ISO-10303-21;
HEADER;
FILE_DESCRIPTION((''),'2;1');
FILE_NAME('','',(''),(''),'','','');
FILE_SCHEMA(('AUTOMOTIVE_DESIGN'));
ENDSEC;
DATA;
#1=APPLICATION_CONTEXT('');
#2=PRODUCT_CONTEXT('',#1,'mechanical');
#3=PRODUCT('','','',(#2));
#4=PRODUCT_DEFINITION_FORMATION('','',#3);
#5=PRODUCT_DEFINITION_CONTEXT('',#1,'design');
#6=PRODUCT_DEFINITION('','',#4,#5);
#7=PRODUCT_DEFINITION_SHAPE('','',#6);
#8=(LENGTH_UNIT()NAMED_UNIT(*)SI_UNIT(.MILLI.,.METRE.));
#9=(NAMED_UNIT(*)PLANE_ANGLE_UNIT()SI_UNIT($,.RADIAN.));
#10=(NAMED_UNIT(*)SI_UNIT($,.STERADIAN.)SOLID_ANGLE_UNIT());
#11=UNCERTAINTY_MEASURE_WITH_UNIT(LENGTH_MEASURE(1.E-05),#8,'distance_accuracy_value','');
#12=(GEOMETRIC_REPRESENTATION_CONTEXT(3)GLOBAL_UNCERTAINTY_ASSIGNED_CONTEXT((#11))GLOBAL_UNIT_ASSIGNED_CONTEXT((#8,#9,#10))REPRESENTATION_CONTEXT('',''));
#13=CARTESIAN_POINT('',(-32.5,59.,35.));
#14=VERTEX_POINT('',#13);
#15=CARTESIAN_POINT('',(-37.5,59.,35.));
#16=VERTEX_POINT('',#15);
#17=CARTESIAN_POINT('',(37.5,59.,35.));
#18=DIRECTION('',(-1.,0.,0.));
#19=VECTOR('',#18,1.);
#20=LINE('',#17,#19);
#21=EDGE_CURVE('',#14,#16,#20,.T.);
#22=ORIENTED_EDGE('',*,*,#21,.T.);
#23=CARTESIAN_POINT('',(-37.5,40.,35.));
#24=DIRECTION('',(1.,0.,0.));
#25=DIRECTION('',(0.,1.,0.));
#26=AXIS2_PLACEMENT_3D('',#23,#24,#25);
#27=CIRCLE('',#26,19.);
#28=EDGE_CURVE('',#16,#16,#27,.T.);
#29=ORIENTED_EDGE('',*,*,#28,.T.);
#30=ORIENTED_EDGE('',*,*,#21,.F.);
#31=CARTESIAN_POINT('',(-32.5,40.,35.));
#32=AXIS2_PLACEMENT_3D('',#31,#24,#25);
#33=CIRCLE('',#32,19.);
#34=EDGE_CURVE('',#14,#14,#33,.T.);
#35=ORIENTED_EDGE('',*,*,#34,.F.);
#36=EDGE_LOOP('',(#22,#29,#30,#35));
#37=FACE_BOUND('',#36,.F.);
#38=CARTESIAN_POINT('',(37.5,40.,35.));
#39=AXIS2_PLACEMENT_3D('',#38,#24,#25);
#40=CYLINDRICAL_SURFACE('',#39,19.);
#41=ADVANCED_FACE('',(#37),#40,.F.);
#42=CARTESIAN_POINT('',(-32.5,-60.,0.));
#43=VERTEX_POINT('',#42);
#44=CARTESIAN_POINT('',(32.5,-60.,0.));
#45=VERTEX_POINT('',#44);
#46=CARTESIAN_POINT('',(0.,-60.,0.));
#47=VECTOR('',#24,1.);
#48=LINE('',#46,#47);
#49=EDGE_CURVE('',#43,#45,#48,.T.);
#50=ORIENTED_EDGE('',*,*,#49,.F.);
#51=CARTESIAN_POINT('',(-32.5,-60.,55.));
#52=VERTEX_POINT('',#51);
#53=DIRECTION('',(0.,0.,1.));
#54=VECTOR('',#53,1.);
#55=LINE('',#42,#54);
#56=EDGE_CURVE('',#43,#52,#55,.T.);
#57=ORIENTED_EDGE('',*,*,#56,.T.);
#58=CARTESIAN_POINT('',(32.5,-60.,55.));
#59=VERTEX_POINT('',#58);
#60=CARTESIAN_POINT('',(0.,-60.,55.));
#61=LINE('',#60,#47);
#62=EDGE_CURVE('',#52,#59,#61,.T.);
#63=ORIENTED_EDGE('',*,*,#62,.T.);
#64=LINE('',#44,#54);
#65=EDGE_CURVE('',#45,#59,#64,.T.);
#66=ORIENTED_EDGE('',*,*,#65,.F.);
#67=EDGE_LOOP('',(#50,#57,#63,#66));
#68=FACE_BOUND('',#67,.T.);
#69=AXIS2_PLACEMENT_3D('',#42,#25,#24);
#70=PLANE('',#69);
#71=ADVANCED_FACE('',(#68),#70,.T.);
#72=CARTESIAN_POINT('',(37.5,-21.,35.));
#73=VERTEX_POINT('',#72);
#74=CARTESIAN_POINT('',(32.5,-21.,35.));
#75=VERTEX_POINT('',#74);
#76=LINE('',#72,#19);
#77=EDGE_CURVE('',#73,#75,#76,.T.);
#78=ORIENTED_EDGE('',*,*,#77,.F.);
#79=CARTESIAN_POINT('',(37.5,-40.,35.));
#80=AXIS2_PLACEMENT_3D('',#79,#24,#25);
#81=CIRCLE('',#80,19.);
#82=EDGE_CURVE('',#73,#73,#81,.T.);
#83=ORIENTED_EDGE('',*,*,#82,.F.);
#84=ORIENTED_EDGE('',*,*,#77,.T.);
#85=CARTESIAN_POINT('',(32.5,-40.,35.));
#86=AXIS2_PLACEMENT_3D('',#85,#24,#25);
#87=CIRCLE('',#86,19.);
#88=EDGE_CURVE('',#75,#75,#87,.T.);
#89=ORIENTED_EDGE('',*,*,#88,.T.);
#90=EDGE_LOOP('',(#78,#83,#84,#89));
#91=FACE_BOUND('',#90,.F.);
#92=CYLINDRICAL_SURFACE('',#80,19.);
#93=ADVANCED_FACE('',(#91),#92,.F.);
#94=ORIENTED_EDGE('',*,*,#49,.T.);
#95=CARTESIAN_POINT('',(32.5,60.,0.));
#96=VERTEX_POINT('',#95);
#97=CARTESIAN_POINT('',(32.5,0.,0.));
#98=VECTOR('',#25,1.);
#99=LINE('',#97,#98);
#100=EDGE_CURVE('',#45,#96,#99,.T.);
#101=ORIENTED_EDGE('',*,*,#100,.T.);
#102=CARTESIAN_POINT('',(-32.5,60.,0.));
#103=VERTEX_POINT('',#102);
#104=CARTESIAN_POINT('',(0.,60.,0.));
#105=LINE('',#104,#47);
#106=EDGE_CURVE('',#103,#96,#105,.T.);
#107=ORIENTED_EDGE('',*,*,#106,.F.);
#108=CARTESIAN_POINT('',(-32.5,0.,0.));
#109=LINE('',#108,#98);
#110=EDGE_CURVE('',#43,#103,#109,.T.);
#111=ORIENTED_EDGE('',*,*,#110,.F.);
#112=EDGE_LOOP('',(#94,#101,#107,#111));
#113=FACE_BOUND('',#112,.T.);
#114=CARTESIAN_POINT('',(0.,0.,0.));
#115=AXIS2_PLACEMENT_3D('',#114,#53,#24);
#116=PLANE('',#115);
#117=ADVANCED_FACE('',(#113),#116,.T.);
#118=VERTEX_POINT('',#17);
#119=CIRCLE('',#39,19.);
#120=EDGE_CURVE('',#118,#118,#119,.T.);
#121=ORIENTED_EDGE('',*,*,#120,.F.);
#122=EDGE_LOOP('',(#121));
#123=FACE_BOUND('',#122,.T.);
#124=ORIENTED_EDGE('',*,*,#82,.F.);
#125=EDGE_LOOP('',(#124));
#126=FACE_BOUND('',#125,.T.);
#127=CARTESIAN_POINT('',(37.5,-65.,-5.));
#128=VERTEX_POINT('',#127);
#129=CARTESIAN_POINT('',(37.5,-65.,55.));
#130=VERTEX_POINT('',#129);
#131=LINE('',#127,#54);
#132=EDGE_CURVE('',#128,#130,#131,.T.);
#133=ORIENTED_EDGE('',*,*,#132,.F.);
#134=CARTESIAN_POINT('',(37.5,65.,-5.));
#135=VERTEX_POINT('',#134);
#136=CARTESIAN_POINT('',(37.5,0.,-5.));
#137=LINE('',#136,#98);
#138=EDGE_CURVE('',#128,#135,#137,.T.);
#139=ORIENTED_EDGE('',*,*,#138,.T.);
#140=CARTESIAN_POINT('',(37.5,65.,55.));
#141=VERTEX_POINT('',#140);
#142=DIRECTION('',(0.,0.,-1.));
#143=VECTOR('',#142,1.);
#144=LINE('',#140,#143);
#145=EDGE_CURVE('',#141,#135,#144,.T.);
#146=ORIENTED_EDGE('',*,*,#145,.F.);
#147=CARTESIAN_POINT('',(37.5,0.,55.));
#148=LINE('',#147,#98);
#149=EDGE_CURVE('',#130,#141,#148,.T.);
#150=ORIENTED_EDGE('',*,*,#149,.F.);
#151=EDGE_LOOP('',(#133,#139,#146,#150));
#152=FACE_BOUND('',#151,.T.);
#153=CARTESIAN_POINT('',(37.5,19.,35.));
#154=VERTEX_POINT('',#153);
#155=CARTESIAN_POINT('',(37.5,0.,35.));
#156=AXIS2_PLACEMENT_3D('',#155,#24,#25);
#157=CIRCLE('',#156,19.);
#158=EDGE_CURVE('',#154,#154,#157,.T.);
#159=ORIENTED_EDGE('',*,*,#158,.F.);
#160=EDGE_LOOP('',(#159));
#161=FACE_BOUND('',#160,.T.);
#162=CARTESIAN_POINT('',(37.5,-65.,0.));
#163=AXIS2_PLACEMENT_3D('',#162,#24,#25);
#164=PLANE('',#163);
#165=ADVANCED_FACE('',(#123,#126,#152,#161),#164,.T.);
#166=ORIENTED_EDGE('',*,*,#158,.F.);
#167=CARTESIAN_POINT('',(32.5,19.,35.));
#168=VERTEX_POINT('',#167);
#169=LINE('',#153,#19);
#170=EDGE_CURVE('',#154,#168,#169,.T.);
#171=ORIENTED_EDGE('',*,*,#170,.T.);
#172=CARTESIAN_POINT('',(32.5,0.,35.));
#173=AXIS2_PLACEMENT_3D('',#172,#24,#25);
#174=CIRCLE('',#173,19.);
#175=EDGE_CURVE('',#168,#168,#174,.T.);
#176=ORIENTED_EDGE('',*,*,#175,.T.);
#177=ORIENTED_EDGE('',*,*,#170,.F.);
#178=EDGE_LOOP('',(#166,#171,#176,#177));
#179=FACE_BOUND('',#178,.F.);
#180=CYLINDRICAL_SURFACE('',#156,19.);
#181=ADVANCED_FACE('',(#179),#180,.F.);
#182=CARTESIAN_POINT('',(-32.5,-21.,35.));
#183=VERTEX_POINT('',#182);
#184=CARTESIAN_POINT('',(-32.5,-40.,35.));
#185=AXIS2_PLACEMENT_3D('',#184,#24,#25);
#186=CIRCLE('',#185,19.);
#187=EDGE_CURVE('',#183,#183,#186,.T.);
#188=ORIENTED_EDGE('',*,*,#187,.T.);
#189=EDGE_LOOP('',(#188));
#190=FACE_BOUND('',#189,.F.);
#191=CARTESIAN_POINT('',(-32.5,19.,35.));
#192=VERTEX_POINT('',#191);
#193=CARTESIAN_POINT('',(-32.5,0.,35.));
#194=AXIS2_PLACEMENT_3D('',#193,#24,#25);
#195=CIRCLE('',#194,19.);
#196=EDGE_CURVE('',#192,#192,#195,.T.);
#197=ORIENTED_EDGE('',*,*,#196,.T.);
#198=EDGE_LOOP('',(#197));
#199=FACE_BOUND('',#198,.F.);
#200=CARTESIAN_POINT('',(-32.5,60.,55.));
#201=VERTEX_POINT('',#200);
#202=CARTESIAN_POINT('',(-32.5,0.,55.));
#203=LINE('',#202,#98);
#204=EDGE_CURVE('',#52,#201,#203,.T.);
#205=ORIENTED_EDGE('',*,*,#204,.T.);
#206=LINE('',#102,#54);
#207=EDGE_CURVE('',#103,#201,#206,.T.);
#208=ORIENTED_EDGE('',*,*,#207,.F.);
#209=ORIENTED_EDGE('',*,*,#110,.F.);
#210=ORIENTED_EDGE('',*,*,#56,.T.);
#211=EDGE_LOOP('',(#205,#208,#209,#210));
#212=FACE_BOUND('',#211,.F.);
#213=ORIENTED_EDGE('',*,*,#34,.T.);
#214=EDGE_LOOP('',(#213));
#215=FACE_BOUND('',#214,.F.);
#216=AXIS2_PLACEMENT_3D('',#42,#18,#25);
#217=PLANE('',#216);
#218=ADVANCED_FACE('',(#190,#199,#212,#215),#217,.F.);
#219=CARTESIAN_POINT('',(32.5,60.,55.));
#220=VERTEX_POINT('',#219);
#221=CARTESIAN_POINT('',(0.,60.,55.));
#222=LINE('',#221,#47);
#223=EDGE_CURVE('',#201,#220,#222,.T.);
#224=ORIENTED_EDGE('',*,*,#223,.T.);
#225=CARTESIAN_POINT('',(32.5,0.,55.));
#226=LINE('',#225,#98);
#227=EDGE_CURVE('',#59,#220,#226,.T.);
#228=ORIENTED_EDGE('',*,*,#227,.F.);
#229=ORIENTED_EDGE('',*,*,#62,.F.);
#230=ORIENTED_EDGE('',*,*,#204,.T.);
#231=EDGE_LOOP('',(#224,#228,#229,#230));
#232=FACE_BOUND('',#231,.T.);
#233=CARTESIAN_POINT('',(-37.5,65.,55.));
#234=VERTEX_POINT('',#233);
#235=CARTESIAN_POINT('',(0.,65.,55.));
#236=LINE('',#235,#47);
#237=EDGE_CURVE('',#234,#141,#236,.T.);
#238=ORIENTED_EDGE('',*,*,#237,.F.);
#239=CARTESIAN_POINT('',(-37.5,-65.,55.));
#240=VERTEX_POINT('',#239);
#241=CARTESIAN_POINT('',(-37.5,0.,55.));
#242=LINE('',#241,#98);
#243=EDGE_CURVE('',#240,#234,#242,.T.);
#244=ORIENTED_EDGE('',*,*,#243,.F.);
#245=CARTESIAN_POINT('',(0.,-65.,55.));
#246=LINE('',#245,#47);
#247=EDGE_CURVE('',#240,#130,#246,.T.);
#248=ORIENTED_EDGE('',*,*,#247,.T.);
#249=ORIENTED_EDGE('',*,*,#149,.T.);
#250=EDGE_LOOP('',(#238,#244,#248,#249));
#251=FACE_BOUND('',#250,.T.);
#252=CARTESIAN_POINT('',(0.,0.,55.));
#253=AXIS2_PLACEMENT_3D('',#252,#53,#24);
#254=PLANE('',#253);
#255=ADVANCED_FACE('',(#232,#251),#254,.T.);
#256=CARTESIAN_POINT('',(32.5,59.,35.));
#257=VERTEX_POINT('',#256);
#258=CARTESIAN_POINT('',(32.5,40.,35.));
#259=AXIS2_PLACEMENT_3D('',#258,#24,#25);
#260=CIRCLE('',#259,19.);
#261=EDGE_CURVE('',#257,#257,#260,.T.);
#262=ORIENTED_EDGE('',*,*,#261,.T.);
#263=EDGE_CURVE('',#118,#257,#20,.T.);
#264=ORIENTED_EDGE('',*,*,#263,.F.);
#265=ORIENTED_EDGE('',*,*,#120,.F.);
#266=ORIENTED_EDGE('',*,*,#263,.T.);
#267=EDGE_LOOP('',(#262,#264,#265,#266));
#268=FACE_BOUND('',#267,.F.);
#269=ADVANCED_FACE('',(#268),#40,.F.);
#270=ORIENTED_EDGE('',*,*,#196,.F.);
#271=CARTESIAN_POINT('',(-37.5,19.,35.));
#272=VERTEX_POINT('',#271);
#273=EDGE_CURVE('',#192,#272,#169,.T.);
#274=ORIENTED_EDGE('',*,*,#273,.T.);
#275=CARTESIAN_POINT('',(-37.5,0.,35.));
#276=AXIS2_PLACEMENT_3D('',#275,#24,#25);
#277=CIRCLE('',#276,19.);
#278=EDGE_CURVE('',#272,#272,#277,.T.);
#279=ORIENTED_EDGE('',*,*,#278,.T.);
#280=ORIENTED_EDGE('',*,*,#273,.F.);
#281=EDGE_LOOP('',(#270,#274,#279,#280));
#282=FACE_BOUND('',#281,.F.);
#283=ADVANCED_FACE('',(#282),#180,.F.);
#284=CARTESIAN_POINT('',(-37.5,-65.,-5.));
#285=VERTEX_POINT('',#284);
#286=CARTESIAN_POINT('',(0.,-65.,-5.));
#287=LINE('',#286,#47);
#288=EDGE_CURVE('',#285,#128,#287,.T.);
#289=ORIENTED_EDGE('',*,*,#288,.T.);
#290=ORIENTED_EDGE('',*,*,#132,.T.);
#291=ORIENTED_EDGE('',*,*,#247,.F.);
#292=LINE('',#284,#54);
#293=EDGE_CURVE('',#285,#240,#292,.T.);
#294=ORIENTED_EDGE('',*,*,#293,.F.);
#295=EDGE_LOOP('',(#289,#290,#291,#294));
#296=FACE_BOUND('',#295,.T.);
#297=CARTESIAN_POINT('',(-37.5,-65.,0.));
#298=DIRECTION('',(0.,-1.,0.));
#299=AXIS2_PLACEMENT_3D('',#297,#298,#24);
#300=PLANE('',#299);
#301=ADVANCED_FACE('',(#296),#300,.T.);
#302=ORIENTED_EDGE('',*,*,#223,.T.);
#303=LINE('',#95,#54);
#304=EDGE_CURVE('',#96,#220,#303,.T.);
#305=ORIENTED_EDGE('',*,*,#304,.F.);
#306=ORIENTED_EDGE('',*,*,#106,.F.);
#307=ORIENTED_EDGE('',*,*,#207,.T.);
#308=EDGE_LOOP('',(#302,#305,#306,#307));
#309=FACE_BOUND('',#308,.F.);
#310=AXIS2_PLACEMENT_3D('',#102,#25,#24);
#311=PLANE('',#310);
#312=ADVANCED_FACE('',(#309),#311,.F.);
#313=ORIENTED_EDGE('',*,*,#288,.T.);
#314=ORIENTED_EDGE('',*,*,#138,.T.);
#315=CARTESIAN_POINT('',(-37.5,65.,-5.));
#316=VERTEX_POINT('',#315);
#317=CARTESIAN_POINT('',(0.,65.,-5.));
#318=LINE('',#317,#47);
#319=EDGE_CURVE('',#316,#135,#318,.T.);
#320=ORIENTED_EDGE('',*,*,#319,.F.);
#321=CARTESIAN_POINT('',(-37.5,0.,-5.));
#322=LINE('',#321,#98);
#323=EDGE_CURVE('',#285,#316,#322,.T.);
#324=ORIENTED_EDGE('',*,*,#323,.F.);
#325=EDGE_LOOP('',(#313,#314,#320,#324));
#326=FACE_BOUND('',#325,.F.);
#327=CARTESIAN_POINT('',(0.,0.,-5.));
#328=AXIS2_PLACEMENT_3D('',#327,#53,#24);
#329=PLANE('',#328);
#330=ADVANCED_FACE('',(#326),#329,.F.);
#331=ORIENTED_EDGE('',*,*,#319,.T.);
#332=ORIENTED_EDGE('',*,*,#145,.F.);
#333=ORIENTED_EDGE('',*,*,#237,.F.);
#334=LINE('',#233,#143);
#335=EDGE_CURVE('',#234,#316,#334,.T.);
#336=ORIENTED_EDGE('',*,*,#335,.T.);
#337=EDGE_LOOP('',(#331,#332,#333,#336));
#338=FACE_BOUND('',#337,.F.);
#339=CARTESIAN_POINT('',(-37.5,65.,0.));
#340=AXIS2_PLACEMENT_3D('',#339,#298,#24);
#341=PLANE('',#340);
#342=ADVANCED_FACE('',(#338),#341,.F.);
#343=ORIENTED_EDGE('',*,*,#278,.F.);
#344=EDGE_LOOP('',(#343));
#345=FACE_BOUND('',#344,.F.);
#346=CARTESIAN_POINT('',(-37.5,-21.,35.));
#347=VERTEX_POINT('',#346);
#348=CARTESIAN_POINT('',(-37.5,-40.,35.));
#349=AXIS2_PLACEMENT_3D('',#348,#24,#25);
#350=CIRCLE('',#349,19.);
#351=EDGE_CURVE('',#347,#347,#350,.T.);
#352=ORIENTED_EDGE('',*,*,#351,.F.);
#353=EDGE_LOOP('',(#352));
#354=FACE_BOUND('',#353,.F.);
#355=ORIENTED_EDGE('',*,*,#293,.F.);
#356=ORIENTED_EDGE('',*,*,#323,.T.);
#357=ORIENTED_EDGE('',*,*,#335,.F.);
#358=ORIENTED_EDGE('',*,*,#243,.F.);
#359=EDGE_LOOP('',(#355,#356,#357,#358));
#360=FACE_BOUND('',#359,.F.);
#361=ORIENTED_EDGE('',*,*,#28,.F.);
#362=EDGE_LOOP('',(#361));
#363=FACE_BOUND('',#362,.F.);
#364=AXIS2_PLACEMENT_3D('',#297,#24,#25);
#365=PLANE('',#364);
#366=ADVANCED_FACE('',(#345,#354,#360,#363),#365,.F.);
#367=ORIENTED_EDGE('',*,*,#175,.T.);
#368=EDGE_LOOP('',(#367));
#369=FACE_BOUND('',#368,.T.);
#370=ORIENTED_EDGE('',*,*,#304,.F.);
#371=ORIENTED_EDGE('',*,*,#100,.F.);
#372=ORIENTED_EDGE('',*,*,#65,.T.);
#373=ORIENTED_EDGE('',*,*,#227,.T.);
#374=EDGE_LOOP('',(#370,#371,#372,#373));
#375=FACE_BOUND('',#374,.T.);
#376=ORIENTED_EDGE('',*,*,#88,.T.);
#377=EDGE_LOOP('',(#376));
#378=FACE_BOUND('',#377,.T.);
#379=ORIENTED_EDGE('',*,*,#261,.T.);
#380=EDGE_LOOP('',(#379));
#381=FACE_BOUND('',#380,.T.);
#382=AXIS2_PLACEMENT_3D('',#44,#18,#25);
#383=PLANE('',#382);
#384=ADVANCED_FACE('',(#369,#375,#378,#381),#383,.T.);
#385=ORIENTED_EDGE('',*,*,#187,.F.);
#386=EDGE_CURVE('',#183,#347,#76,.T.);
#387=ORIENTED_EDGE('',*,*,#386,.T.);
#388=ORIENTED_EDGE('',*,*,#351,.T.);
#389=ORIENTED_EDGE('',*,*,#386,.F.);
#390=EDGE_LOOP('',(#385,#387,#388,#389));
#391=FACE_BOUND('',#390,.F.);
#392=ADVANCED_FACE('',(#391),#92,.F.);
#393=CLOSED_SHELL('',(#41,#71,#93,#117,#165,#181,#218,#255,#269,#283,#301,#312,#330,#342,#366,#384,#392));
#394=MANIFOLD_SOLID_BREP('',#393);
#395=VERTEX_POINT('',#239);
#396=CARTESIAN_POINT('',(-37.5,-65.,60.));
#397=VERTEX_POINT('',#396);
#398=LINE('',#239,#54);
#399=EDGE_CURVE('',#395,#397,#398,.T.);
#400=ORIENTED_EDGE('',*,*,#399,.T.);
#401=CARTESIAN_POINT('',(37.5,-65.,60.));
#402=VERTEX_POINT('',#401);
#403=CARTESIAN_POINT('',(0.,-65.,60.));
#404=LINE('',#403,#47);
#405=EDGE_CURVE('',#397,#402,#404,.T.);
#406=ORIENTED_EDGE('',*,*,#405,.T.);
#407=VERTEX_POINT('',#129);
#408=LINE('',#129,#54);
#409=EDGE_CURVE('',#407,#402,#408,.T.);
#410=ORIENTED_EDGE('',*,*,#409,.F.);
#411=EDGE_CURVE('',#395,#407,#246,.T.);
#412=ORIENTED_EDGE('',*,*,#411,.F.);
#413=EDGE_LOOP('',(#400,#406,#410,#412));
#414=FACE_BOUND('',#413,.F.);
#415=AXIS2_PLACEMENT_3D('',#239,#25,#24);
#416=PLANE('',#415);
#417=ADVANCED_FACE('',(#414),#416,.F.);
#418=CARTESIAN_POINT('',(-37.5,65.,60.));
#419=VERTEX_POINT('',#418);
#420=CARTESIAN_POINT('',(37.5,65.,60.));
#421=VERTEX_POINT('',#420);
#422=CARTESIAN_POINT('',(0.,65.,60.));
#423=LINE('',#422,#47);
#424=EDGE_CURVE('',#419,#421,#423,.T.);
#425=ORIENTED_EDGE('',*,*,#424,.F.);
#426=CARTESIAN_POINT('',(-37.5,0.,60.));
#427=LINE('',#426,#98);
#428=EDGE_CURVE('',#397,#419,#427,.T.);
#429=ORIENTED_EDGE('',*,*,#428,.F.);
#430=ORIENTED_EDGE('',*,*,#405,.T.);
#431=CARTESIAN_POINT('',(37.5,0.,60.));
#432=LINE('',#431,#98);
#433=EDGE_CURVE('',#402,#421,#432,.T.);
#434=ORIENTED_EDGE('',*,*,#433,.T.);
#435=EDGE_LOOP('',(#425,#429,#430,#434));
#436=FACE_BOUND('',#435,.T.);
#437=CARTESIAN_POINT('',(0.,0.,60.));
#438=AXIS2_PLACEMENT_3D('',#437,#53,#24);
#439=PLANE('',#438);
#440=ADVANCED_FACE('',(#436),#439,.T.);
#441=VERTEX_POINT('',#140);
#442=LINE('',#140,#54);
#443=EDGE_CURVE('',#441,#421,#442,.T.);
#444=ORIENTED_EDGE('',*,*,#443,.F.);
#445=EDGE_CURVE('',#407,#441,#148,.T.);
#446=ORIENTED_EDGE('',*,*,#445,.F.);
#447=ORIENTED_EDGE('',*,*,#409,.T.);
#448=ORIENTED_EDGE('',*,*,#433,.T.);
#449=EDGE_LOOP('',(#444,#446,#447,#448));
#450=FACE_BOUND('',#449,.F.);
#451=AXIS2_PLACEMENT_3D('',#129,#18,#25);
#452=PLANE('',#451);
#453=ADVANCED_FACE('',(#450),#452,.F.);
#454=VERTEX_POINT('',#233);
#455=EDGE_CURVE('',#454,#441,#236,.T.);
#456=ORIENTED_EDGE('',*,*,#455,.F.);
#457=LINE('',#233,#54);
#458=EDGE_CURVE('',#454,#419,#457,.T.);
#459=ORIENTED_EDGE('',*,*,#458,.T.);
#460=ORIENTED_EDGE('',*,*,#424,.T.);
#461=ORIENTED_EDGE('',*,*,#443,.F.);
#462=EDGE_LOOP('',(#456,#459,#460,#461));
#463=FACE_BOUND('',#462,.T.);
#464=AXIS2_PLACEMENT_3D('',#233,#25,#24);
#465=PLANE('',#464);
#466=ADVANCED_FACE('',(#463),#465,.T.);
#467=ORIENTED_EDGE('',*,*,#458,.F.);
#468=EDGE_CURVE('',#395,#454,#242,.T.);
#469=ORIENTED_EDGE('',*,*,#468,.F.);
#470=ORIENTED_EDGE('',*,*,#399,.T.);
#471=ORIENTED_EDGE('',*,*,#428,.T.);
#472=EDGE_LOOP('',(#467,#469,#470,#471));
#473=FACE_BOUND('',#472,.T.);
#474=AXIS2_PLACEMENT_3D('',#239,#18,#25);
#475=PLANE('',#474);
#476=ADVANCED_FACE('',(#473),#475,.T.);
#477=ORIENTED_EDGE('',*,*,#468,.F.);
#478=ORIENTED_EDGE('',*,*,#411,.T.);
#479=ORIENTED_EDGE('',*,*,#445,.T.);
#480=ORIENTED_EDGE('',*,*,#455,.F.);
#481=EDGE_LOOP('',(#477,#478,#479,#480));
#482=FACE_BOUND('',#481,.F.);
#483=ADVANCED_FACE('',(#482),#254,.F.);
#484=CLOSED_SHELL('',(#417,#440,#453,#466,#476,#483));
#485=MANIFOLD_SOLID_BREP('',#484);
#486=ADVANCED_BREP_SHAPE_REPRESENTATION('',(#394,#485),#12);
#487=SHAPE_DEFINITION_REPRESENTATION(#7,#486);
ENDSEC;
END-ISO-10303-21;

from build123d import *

# Parameters (mm, degrees)
F0_W     = 75
F0_H     = 130
F0_W_2   = 65
F0_H_2   = 120
F1_DEPTH = 55
F2_W     = 75
F2_H     = 130
F3_DEPTH = 5
F4_W     = 75
F4_H     = 130
F5_DEPTH = 5
F6_R     = 19
F7_DEPTH = 75.001


with BuildPart() as f1:
    # F0 (on Top) → F1 (new body)
    with BuildSketch(Plane.XY):
        Rectangle(F0_W, F0_H)
        Rectangle(F0_W_2, F0_H_2, mode=Mode.SUBTRACT)
    extrude(amount=F1_DEPTH)

    # F2 (on Top) → F3 (join)
    with BuildSketch(Plane.XY):
        Rectangle(F2_W, F2_H)
    extrude(amount=-F3_DEPTH)

    # F6 (on face) → F7 (cut, through all)
    with BuildSketch(Plane.YZ.offset(37.5)):
        with Locations((-40, 35)):
            Circle(F6_R)
        with Locations((0, 35)):
            Circle(F6_R)
        with Locations((40, 35)):
            Circle(F6_R)
    extrude(amount=-F7_DEPTH, mode=Mode.SUBTRACT)


with BuildPart() as f5:
    # F4 (on face) → F5 (new body)
    with BuildSketch(Plane.XY.offset(55)):
        Rectangle(F4_W, F4_H)
    extrude(amount=F5_DEPTH)


solid = Compound([f1.part, f5.part])
